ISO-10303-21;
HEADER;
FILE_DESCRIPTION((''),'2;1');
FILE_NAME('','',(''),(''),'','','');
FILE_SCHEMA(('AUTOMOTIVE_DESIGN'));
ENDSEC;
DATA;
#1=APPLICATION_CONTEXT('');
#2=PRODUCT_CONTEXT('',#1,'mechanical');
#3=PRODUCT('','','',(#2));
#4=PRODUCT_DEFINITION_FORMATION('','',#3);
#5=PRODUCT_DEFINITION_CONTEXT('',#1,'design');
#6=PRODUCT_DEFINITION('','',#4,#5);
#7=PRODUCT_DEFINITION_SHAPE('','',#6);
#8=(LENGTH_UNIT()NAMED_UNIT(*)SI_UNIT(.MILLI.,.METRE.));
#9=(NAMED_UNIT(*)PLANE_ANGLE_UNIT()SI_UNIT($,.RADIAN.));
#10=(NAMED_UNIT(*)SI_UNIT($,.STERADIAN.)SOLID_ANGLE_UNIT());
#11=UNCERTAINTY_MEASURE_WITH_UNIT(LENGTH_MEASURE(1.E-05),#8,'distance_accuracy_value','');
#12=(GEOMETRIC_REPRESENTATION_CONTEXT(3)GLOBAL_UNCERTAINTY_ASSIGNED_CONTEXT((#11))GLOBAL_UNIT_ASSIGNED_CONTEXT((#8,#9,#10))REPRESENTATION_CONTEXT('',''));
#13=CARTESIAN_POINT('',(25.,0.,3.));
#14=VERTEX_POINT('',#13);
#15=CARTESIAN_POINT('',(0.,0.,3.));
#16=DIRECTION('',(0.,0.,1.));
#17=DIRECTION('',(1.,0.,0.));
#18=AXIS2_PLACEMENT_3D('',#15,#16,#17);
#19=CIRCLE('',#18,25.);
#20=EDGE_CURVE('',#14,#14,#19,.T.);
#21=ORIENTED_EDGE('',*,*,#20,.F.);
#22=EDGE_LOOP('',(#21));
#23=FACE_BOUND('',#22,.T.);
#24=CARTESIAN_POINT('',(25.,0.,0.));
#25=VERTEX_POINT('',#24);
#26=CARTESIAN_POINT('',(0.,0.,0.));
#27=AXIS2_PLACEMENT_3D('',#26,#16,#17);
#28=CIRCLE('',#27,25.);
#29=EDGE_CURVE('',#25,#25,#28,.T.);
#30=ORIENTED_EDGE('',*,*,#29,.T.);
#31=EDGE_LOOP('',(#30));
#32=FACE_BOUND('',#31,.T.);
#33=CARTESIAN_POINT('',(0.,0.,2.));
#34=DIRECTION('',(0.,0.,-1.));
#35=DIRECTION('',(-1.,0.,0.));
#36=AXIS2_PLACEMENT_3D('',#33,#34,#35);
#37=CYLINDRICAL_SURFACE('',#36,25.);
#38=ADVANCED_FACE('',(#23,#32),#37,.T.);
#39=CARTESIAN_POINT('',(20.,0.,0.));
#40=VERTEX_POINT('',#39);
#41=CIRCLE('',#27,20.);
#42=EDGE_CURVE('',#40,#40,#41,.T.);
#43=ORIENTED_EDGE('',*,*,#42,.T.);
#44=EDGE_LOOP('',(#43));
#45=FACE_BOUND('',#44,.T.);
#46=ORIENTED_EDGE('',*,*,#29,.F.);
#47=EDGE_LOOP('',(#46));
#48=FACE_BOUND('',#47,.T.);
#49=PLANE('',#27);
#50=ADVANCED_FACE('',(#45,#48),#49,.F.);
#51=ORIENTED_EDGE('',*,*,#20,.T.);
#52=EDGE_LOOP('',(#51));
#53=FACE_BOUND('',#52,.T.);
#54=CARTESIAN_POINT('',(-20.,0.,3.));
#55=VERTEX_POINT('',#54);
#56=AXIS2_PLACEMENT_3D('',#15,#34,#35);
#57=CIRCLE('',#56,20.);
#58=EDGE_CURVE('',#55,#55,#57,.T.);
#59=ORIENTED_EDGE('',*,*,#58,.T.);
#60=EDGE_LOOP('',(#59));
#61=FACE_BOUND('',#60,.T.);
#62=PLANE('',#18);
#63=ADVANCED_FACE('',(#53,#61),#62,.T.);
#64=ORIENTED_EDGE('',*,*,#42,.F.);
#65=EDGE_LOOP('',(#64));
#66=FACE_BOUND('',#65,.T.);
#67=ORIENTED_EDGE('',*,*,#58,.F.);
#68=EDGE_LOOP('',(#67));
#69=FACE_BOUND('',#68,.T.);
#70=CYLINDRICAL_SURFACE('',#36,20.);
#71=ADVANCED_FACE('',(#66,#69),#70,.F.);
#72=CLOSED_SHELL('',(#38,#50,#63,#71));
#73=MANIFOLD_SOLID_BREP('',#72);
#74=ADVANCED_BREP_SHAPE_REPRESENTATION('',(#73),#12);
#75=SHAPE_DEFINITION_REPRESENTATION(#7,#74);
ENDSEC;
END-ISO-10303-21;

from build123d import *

# Parameters (mm, degrees)
SKETCH1_R           = 25
SKETCH1_R_2         = 20
BOSS_EXTRUDE1_DEPTH = 2
SKETCH2_R           = 25
BOSS_EXTRUDE2_DEPTH = 1
SKETCH3_R           = 20
CUT_EXTRUDE1_DEPTH  = 1


with BuildPart() as part:
    # Sketch1 → Boss-Extrude1 (new body)
    with BuildSketch(Plane.XY):
        Circle(SKETCH1_R)
        Circle(SKETCH1_R_2, mode=Mode.SUBTRACT)
    extrude(amount=BOSS_EXTRUDE1_DEPTH)

    # Sketch2 → Boss-Extrude2 (add)
    with BuildSketch(Plane.XY.offset(2)):
        Circle(SKETCH2_R)
    extrude(amount=BOSS_EXTRUDE2_DEPTH)

    # Sketch3 → Cut-Extrude1 (cut)
    with BuildSketch(Plane(origin=(0, 0, 2), x_dir=(-1, 0, 0), z_dir=(0, 0, -1))):
        Circle(SKETCH3_R)
    extrude(amount=-CUT_EXTRUDE1_DEPTH, mode=Mode.SUBTRACT)


solid = part.part
